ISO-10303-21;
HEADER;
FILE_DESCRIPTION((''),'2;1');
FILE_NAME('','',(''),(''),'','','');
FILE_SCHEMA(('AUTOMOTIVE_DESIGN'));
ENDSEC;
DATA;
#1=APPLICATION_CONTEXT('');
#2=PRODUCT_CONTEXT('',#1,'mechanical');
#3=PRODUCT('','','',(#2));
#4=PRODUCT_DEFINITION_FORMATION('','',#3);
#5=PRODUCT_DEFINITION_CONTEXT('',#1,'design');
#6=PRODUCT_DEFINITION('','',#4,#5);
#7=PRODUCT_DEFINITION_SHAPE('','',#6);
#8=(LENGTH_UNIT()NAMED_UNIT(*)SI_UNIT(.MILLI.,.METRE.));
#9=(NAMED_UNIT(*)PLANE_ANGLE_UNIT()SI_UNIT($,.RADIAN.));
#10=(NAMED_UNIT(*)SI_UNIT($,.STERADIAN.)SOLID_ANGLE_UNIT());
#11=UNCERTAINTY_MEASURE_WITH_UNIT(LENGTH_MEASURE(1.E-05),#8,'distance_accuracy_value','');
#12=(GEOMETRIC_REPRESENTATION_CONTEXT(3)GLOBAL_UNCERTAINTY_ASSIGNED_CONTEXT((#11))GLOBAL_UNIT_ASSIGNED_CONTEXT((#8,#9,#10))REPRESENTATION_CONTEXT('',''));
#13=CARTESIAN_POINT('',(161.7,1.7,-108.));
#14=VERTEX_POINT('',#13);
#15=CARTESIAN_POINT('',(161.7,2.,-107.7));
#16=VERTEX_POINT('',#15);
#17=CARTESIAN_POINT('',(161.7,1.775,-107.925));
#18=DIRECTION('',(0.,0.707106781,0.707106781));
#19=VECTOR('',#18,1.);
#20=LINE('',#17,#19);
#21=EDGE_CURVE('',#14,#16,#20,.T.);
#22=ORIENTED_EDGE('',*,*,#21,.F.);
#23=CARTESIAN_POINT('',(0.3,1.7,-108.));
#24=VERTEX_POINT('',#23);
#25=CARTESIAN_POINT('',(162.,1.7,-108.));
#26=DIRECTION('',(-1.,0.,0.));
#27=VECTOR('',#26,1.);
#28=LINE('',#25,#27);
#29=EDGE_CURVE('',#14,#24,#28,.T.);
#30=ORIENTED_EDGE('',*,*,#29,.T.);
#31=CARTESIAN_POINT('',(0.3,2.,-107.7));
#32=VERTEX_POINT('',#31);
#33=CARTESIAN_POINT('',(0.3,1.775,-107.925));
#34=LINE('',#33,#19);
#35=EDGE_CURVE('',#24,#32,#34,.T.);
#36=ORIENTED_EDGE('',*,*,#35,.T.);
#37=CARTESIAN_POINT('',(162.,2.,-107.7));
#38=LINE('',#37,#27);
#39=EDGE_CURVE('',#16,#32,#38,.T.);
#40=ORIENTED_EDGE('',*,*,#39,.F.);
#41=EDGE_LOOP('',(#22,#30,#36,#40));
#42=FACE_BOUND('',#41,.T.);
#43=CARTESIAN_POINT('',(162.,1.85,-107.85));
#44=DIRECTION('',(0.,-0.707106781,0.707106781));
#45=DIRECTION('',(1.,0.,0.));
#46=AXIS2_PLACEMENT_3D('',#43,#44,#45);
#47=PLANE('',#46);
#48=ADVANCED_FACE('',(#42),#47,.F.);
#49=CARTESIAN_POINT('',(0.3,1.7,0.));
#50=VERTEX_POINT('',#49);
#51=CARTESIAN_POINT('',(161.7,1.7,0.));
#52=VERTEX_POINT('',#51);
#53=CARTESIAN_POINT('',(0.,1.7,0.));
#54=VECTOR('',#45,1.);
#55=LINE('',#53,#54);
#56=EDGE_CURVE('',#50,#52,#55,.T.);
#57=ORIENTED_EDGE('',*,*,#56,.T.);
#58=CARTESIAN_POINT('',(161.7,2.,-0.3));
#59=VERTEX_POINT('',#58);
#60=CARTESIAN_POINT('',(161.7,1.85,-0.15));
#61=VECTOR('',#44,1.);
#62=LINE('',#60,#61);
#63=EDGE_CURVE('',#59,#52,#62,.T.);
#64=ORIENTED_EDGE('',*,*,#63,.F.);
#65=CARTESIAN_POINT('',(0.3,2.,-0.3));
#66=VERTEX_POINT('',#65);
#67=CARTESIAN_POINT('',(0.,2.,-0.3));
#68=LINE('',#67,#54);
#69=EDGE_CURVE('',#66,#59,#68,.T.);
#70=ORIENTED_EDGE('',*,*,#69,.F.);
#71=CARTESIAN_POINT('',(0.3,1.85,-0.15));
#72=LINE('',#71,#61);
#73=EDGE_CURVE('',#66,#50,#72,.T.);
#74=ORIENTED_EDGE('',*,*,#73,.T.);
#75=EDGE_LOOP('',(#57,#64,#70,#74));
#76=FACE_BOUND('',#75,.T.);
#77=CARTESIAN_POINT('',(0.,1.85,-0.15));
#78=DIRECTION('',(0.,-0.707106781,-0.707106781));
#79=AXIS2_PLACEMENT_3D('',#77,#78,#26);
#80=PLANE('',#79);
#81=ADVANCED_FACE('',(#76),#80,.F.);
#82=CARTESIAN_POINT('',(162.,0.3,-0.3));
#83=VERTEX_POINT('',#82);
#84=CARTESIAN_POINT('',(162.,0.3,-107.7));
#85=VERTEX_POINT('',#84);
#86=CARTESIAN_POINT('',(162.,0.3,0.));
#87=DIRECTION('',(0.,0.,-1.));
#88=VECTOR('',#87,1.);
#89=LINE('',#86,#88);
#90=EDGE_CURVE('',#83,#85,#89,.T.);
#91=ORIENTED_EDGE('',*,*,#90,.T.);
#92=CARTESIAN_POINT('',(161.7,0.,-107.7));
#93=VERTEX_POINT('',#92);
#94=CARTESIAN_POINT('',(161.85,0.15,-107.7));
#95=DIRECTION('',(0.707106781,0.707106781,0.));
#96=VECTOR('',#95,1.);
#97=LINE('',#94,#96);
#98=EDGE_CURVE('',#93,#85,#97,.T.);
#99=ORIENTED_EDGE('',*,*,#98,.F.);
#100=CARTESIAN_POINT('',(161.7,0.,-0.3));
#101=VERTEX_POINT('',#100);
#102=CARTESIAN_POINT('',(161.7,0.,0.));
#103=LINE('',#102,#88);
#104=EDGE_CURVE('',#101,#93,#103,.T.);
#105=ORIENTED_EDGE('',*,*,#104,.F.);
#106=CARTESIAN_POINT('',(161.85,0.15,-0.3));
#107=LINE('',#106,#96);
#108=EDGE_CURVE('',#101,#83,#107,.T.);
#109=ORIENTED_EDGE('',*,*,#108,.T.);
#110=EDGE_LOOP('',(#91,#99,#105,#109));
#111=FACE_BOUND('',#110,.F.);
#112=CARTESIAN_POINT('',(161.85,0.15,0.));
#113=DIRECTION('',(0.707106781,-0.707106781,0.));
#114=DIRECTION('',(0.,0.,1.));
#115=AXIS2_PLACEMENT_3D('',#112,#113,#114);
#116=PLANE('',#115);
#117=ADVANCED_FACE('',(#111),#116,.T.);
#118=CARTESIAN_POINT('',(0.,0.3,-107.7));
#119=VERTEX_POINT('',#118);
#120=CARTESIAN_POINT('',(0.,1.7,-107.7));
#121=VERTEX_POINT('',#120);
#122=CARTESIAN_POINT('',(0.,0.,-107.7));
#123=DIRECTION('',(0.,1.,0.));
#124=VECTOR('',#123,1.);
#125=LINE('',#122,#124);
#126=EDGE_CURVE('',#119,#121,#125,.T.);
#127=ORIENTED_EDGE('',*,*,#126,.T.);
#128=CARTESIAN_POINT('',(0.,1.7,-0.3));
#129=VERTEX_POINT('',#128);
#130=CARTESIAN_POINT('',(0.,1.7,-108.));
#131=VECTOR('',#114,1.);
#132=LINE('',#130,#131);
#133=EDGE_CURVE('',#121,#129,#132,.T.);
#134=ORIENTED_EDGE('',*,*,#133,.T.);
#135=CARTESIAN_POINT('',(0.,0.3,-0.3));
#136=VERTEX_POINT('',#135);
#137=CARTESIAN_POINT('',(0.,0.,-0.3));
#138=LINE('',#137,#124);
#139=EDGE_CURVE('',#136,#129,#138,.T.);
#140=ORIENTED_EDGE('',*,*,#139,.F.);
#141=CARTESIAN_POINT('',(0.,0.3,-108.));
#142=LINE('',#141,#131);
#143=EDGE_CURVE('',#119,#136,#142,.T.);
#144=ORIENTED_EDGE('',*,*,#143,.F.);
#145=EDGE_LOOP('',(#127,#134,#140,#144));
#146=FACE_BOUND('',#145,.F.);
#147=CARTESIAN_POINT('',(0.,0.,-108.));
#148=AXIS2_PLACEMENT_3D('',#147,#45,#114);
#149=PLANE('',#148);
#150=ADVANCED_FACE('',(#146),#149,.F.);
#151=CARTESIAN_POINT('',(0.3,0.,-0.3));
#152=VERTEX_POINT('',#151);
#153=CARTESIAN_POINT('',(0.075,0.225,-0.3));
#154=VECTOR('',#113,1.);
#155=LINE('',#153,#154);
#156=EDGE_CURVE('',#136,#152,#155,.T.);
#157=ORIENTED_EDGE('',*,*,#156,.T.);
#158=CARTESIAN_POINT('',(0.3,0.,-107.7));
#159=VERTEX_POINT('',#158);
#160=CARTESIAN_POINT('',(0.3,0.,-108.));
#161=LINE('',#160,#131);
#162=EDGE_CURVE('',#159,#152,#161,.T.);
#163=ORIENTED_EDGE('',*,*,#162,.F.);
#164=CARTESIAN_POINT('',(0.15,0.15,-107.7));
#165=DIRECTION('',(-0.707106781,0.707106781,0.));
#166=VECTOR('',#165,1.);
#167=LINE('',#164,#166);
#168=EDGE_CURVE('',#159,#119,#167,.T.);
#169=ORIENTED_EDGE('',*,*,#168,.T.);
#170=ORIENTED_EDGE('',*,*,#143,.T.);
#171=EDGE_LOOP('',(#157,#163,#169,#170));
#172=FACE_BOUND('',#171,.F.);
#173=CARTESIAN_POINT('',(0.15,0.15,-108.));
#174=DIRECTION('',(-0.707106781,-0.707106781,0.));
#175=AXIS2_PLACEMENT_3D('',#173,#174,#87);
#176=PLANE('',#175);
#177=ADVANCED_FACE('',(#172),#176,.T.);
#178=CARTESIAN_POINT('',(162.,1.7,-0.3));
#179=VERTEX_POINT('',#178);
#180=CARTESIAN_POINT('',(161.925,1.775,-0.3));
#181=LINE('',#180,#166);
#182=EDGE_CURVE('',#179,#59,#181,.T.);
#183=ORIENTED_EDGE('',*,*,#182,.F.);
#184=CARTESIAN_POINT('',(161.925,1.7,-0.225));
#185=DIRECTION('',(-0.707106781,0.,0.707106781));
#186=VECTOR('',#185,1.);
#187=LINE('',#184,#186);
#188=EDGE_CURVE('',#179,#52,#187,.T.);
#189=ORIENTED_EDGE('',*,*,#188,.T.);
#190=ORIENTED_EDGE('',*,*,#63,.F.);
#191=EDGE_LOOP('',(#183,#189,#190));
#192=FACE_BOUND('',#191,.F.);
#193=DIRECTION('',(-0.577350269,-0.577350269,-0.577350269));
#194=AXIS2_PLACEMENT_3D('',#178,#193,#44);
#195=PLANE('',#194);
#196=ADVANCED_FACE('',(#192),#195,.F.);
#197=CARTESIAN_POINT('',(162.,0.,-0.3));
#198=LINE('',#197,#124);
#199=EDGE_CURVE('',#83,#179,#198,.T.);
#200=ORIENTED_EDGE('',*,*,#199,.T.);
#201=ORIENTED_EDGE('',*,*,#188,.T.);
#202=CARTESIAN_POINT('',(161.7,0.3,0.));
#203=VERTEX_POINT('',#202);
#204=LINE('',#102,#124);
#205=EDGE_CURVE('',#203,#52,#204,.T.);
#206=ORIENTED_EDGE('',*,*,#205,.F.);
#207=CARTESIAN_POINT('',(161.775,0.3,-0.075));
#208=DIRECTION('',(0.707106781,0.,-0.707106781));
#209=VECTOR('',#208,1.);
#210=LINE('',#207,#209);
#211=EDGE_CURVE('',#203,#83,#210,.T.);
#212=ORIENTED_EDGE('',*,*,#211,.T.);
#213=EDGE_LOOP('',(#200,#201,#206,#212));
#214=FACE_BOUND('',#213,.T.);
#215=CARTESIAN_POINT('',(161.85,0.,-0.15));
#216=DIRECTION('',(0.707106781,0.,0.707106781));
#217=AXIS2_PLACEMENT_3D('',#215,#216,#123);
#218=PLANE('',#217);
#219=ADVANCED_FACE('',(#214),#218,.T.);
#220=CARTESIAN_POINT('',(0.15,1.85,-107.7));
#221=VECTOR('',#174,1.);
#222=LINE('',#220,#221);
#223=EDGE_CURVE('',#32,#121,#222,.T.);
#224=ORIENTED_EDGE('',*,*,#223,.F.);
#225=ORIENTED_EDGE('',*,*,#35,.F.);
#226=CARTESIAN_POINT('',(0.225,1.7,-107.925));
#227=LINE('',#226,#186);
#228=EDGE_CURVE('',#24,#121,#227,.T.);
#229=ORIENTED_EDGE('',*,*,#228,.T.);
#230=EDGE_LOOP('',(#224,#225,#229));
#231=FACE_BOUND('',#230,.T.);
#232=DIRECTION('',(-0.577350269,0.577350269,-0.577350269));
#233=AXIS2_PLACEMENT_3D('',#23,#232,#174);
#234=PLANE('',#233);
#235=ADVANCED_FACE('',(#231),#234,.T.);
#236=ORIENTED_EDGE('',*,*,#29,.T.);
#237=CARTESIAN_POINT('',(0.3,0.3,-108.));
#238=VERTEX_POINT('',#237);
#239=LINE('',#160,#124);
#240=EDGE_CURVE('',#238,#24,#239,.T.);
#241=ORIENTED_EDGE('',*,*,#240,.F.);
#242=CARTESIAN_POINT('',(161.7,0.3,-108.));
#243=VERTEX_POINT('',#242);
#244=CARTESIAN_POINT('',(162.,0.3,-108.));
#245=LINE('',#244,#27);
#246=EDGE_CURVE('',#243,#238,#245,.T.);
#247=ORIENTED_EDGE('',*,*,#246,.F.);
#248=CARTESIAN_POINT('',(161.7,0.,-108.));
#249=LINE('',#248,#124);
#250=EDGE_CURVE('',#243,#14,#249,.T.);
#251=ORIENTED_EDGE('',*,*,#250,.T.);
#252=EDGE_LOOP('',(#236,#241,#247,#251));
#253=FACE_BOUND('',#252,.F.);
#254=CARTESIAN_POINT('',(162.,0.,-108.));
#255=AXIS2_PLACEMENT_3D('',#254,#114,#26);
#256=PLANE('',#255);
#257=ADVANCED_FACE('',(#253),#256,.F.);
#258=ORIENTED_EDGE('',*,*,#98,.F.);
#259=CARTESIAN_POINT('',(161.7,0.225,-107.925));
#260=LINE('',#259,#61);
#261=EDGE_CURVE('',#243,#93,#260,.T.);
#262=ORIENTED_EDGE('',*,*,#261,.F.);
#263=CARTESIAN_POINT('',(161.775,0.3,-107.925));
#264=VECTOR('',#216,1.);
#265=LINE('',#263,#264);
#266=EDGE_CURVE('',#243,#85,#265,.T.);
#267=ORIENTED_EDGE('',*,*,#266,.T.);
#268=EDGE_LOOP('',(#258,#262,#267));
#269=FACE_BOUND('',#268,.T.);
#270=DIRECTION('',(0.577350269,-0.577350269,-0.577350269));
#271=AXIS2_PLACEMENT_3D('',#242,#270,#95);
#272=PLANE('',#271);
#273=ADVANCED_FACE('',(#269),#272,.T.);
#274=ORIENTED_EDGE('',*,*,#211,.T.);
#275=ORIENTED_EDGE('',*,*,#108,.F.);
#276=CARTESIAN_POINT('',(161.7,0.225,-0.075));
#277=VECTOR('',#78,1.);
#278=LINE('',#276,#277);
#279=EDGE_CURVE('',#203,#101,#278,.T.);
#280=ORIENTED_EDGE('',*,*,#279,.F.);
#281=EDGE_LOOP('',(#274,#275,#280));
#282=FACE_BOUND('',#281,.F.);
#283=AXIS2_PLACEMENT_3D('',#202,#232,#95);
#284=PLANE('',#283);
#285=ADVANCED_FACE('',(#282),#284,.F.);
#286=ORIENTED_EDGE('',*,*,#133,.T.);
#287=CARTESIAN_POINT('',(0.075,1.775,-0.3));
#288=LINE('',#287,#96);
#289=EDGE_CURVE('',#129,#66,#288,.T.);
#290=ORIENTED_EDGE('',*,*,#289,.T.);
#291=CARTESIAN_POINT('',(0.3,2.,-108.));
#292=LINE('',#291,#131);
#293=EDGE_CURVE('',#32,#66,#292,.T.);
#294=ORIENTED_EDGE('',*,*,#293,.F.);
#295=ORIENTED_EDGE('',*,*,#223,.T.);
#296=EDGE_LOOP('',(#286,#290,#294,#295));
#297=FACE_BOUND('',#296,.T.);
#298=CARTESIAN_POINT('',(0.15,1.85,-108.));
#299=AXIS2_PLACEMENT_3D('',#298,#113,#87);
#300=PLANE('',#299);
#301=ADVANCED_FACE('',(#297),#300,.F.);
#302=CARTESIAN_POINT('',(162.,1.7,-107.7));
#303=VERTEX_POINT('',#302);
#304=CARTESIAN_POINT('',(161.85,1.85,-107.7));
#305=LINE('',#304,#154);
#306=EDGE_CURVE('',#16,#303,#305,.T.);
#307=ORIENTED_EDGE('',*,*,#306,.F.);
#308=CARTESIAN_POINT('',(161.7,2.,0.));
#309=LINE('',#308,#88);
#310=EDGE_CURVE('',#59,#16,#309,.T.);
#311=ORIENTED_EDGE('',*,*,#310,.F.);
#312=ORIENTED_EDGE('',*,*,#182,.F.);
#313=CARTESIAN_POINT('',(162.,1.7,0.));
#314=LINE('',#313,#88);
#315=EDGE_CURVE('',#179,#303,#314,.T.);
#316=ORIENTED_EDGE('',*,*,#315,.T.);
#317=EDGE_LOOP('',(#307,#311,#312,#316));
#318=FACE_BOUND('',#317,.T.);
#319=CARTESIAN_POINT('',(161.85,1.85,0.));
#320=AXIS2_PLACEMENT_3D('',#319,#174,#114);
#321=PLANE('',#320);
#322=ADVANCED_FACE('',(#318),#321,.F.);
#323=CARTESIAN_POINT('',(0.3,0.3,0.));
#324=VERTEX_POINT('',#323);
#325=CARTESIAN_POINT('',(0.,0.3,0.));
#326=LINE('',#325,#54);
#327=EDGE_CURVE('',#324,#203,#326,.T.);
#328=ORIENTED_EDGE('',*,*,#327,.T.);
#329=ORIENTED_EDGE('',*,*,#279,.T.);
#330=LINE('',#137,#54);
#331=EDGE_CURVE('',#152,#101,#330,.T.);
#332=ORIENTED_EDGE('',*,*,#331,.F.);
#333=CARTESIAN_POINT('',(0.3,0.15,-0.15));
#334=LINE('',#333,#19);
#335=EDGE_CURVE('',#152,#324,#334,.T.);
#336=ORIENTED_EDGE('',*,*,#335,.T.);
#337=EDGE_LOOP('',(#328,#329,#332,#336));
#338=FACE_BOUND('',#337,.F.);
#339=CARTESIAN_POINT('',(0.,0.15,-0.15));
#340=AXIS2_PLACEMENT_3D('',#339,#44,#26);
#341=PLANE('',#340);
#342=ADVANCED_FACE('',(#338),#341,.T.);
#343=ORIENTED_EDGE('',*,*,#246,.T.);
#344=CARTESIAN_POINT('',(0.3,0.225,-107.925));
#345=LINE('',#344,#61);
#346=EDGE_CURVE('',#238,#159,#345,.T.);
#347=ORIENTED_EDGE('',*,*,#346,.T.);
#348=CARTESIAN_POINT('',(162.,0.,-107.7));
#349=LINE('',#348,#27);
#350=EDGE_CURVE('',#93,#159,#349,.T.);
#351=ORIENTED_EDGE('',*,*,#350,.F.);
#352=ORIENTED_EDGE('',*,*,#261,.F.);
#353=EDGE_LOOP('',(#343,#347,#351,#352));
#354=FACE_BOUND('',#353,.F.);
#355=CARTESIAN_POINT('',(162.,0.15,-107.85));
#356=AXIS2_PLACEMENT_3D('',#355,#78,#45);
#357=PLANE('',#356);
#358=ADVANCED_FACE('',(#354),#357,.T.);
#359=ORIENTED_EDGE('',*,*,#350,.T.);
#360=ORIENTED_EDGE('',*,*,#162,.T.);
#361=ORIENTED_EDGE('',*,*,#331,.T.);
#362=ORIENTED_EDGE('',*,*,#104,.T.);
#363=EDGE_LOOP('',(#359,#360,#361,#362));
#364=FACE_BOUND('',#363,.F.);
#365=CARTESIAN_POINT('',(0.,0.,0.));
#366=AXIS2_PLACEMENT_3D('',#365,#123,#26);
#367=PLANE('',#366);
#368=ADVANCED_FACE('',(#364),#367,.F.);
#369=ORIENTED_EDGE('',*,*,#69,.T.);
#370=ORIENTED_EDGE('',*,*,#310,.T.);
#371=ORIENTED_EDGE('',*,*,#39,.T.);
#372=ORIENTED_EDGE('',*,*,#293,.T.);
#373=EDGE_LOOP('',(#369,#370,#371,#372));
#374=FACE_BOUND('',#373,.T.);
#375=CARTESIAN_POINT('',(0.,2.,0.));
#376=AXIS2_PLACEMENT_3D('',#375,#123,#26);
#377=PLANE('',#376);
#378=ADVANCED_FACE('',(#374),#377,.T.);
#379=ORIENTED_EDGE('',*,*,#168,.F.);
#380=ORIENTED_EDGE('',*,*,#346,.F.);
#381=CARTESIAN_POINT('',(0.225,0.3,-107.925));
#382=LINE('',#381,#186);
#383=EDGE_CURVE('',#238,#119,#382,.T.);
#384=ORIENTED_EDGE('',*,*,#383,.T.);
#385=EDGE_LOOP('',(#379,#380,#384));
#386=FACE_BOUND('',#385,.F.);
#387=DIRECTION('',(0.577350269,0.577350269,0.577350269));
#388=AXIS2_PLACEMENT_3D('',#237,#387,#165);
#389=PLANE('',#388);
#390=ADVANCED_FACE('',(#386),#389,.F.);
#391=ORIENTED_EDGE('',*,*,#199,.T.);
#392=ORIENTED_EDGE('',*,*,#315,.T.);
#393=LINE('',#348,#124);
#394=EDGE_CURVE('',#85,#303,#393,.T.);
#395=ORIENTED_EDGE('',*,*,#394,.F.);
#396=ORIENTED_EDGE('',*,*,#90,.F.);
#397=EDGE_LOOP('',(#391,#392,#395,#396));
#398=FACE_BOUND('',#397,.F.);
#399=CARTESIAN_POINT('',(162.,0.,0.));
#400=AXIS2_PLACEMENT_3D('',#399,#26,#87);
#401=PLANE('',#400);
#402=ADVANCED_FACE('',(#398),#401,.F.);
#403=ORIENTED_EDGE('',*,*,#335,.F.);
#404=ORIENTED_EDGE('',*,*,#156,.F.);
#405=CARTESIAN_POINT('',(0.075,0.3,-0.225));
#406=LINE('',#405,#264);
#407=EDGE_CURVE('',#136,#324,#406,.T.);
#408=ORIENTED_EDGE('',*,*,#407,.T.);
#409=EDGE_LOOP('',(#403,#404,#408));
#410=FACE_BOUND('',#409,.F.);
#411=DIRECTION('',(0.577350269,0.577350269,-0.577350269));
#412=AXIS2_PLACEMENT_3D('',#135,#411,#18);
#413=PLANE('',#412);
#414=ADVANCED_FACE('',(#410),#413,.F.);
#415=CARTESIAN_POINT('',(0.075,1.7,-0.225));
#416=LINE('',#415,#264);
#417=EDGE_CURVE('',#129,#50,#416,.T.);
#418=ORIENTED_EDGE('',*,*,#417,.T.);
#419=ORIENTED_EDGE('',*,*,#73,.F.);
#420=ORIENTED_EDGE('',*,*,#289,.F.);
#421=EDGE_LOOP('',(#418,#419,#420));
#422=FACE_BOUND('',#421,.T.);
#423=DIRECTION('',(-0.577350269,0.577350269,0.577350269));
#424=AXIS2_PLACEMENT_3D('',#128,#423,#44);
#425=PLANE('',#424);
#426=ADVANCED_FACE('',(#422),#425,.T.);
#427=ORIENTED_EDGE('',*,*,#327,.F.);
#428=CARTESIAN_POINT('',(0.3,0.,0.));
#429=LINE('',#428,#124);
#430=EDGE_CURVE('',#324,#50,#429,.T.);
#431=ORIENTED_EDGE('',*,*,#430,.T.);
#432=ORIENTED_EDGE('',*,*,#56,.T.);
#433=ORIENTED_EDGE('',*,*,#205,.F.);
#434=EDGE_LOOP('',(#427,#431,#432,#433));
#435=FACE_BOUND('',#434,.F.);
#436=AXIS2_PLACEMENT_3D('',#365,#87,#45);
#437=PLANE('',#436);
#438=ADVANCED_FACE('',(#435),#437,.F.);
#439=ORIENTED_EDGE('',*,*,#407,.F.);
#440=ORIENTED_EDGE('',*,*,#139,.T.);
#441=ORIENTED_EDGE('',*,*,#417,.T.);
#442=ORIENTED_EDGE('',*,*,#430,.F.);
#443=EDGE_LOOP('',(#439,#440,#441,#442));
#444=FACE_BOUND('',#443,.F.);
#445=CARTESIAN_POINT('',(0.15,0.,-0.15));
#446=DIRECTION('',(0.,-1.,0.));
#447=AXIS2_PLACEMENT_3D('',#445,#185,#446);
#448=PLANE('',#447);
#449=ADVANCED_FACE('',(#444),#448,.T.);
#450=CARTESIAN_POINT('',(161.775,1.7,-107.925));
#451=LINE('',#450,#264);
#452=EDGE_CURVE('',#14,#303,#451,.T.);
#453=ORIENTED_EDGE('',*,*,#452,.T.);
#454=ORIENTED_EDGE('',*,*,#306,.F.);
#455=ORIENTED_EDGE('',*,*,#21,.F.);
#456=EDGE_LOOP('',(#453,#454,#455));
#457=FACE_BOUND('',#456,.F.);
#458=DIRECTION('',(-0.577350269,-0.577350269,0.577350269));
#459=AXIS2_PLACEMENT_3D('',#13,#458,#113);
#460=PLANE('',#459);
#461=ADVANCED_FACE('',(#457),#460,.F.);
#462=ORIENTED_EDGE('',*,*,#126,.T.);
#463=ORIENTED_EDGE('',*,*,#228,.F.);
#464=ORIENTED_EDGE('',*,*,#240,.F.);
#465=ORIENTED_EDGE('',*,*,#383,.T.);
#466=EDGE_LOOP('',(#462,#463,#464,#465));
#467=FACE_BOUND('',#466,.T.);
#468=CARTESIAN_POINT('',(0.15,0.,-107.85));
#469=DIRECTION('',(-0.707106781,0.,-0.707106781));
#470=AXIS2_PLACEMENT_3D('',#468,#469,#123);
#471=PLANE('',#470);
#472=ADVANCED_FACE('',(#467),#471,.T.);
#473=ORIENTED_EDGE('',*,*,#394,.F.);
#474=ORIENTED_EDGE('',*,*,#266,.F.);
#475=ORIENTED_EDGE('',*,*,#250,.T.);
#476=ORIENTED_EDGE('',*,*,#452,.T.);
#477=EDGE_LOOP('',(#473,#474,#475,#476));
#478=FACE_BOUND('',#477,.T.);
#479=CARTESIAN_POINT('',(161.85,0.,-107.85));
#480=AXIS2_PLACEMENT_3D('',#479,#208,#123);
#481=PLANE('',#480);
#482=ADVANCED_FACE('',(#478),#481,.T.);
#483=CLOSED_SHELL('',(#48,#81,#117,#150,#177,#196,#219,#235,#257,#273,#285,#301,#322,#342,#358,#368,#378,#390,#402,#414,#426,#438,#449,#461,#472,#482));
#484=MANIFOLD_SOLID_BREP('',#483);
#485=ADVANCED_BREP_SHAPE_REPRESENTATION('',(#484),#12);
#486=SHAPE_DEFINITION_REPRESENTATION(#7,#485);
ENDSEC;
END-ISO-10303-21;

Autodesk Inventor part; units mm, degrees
ref_plane "YZ Plane" through (0, 0, 0) normal (1, 0, 0) x (0, 1, 0)
ref_plane "XZ Plane" through (0, 0, 0) normal (0, 1, 0) x (-1, 0, 0)
ref_plane "XY Plane" through (0, 0, 0) normal (0, 0, 1) x (1, 0, 0)
sketch "Sketch1" plane through (0, 0, 0) normal (0, 1, 0) x (-1, 0, 0)
  line L0 (0, 0) -> (-162, 0)
  line L1 (-162, 0) -> (-162, -108)
  line L2 (-162, -108) -> (0, -108)
  line L3 (0, -108) -> (0, 0)
  dimension "d0" = 162
  dimension "d1" = 108
extrude "Extrusion1" add sketch "Sketch1" along normal blind 2
chamfer "Chamfer1" distance 0.3 angle 45 12 edges at (81, 2, 0) (0, 2, -54) (162, 2, -54) (81, 2, -108) (162, 0, -54) (81, 0, 0) (0, 0, -54) (81, 0, -108) (0, 1, 0) (0, 1, -108) (162, 1, 0) (162, 1, -108)
properties part number "main_lcd_cover_glass" material "Glass"
